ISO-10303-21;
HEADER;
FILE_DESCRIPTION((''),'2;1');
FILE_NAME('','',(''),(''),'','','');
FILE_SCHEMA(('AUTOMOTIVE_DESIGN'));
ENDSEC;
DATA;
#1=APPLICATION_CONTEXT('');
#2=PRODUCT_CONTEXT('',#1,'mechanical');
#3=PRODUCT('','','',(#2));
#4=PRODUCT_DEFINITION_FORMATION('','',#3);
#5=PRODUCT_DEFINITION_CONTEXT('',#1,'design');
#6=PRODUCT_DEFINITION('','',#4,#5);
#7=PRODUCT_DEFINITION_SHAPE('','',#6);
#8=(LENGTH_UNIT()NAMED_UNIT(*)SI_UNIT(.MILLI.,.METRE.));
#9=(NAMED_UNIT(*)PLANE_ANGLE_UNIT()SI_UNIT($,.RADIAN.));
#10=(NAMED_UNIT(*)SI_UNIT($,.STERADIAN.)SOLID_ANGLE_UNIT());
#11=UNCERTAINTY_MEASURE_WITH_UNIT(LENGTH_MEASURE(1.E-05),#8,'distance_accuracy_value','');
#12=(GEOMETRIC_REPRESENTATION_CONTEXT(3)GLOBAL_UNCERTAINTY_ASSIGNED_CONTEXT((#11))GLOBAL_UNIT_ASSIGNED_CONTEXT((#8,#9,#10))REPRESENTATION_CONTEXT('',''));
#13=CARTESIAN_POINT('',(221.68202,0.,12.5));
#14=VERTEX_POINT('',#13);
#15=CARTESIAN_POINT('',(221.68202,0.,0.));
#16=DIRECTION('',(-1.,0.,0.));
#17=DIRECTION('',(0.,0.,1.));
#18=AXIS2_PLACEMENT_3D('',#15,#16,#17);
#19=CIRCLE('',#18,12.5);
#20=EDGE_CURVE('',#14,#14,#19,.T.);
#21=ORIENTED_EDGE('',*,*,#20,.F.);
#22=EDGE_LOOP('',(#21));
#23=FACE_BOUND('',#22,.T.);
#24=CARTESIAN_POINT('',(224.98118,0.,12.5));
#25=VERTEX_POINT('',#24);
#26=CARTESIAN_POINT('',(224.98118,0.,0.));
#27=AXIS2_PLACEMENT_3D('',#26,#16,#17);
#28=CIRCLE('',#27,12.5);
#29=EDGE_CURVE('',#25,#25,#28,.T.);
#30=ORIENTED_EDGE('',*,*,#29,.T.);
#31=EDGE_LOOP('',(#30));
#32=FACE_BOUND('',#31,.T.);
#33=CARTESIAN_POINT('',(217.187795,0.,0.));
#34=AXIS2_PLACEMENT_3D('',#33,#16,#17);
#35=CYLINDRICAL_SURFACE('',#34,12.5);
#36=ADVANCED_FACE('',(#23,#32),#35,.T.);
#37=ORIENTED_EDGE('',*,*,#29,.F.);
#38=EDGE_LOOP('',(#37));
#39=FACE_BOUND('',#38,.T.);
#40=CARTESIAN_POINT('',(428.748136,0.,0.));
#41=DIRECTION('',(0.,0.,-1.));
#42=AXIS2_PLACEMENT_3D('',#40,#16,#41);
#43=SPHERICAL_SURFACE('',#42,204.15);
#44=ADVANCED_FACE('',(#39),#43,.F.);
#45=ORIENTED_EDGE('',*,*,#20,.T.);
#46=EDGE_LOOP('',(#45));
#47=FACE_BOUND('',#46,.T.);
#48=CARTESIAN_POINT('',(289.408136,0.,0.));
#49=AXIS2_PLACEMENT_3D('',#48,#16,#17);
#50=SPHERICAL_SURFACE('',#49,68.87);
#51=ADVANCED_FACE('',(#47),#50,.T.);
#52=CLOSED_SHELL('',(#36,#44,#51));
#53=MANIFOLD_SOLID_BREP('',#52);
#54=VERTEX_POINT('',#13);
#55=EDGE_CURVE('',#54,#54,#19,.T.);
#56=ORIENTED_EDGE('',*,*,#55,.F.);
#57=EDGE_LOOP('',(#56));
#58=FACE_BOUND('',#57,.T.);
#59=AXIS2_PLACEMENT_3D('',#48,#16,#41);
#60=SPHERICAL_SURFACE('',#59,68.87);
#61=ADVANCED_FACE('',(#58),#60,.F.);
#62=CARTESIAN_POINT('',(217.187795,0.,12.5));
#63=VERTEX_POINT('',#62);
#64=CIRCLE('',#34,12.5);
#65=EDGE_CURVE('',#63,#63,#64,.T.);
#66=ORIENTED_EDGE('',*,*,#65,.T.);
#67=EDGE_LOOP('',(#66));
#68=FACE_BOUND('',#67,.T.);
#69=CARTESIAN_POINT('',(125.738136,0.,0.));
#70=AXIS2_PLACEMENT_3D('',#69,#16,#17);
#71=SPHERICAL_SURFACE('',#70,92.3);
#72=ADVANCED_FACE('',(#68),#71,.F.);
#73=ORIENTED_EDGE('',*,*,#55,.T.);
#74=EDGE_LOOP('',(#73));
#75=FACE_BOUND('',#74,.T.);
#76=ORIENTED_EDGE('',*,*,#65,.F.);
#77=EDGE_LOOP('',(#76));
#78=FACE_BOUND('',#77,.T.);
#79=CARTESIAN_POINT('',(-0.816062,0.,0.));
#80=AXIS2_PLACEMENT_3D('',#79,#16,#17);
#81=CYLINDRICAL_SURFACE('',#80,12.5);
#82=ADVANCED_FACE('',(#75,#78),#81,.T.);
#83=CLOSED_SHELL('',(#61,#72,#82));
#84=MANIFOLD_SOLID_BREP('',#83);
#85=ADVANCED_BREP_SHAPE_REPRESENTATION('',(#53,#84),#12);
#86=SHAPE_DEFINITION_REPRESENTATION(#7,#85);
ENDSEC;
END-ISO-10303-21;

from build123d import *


with BuildPart() as part:
    # 草图1 one side → 旋转1 (revolve)
    with BuildSketch(Plane(origin=(0, 0, 0), x_dir=(1, 0, 0), z_dir=(0, 1, 0)), mode=Mode.PRIVATE) as revolve_1_sk:
        with BuildLine():
            Line((221.68201954, 12.5), (217.187794646, 12.5))
            ThreePointArc((217.187794646, 12.5), (217.825305555, 6.264444928), (218.038136363, 0))
            Line((218.038136363, 0), (220.538136363, 0))
            ThreePointArc((220.538136363, 0), (220.824703358, 6.276114816), (221.68201954, 12.5))
        make_face()
    revolve(revolve_1_sk.sketch.rotate(Axis((-0.816062176, 0, 0), (1, 0, 0)), 180), axis=Axis((-0.816062176, 0, 0), (1, 0, 0)))  # turned: the seam where the file's is


with BuildPart() as body_2:
    # 草图2 one side → 旋转3 (revolve)
    with BuildSketch(Plane(origin=(0, 0, 0), x_dir=(1, 0, 0), z_dir=(0, 1, 0)), mode=Mode.PRIVATE) as revolve_3_sk:
        with BuildLine():
            Line((224.981180014, 12.5), (221.68201954, 12.5))
            ThreePointArc((221.68201954, 12.5), (220.824703358, 6.276114816), (220.538136363, 0))
            Line((220.538136363, 0), (224.598136363, 0))
            ThreePointArc((224.598136363, 0), (224.693919746, 6.25293376), (224.981180014, 12.5))
        make_face()
    revolve(revolve_3_sk.sketch.rotate(Axis((217.187794646, 0, 0), (1, 0, 0)), 180), axis=Axis((217.187794646, 0, 0), (1, 0, 0)))  # turned: the seam where the file's is


solid = Compound([part.part, body_2.part])
